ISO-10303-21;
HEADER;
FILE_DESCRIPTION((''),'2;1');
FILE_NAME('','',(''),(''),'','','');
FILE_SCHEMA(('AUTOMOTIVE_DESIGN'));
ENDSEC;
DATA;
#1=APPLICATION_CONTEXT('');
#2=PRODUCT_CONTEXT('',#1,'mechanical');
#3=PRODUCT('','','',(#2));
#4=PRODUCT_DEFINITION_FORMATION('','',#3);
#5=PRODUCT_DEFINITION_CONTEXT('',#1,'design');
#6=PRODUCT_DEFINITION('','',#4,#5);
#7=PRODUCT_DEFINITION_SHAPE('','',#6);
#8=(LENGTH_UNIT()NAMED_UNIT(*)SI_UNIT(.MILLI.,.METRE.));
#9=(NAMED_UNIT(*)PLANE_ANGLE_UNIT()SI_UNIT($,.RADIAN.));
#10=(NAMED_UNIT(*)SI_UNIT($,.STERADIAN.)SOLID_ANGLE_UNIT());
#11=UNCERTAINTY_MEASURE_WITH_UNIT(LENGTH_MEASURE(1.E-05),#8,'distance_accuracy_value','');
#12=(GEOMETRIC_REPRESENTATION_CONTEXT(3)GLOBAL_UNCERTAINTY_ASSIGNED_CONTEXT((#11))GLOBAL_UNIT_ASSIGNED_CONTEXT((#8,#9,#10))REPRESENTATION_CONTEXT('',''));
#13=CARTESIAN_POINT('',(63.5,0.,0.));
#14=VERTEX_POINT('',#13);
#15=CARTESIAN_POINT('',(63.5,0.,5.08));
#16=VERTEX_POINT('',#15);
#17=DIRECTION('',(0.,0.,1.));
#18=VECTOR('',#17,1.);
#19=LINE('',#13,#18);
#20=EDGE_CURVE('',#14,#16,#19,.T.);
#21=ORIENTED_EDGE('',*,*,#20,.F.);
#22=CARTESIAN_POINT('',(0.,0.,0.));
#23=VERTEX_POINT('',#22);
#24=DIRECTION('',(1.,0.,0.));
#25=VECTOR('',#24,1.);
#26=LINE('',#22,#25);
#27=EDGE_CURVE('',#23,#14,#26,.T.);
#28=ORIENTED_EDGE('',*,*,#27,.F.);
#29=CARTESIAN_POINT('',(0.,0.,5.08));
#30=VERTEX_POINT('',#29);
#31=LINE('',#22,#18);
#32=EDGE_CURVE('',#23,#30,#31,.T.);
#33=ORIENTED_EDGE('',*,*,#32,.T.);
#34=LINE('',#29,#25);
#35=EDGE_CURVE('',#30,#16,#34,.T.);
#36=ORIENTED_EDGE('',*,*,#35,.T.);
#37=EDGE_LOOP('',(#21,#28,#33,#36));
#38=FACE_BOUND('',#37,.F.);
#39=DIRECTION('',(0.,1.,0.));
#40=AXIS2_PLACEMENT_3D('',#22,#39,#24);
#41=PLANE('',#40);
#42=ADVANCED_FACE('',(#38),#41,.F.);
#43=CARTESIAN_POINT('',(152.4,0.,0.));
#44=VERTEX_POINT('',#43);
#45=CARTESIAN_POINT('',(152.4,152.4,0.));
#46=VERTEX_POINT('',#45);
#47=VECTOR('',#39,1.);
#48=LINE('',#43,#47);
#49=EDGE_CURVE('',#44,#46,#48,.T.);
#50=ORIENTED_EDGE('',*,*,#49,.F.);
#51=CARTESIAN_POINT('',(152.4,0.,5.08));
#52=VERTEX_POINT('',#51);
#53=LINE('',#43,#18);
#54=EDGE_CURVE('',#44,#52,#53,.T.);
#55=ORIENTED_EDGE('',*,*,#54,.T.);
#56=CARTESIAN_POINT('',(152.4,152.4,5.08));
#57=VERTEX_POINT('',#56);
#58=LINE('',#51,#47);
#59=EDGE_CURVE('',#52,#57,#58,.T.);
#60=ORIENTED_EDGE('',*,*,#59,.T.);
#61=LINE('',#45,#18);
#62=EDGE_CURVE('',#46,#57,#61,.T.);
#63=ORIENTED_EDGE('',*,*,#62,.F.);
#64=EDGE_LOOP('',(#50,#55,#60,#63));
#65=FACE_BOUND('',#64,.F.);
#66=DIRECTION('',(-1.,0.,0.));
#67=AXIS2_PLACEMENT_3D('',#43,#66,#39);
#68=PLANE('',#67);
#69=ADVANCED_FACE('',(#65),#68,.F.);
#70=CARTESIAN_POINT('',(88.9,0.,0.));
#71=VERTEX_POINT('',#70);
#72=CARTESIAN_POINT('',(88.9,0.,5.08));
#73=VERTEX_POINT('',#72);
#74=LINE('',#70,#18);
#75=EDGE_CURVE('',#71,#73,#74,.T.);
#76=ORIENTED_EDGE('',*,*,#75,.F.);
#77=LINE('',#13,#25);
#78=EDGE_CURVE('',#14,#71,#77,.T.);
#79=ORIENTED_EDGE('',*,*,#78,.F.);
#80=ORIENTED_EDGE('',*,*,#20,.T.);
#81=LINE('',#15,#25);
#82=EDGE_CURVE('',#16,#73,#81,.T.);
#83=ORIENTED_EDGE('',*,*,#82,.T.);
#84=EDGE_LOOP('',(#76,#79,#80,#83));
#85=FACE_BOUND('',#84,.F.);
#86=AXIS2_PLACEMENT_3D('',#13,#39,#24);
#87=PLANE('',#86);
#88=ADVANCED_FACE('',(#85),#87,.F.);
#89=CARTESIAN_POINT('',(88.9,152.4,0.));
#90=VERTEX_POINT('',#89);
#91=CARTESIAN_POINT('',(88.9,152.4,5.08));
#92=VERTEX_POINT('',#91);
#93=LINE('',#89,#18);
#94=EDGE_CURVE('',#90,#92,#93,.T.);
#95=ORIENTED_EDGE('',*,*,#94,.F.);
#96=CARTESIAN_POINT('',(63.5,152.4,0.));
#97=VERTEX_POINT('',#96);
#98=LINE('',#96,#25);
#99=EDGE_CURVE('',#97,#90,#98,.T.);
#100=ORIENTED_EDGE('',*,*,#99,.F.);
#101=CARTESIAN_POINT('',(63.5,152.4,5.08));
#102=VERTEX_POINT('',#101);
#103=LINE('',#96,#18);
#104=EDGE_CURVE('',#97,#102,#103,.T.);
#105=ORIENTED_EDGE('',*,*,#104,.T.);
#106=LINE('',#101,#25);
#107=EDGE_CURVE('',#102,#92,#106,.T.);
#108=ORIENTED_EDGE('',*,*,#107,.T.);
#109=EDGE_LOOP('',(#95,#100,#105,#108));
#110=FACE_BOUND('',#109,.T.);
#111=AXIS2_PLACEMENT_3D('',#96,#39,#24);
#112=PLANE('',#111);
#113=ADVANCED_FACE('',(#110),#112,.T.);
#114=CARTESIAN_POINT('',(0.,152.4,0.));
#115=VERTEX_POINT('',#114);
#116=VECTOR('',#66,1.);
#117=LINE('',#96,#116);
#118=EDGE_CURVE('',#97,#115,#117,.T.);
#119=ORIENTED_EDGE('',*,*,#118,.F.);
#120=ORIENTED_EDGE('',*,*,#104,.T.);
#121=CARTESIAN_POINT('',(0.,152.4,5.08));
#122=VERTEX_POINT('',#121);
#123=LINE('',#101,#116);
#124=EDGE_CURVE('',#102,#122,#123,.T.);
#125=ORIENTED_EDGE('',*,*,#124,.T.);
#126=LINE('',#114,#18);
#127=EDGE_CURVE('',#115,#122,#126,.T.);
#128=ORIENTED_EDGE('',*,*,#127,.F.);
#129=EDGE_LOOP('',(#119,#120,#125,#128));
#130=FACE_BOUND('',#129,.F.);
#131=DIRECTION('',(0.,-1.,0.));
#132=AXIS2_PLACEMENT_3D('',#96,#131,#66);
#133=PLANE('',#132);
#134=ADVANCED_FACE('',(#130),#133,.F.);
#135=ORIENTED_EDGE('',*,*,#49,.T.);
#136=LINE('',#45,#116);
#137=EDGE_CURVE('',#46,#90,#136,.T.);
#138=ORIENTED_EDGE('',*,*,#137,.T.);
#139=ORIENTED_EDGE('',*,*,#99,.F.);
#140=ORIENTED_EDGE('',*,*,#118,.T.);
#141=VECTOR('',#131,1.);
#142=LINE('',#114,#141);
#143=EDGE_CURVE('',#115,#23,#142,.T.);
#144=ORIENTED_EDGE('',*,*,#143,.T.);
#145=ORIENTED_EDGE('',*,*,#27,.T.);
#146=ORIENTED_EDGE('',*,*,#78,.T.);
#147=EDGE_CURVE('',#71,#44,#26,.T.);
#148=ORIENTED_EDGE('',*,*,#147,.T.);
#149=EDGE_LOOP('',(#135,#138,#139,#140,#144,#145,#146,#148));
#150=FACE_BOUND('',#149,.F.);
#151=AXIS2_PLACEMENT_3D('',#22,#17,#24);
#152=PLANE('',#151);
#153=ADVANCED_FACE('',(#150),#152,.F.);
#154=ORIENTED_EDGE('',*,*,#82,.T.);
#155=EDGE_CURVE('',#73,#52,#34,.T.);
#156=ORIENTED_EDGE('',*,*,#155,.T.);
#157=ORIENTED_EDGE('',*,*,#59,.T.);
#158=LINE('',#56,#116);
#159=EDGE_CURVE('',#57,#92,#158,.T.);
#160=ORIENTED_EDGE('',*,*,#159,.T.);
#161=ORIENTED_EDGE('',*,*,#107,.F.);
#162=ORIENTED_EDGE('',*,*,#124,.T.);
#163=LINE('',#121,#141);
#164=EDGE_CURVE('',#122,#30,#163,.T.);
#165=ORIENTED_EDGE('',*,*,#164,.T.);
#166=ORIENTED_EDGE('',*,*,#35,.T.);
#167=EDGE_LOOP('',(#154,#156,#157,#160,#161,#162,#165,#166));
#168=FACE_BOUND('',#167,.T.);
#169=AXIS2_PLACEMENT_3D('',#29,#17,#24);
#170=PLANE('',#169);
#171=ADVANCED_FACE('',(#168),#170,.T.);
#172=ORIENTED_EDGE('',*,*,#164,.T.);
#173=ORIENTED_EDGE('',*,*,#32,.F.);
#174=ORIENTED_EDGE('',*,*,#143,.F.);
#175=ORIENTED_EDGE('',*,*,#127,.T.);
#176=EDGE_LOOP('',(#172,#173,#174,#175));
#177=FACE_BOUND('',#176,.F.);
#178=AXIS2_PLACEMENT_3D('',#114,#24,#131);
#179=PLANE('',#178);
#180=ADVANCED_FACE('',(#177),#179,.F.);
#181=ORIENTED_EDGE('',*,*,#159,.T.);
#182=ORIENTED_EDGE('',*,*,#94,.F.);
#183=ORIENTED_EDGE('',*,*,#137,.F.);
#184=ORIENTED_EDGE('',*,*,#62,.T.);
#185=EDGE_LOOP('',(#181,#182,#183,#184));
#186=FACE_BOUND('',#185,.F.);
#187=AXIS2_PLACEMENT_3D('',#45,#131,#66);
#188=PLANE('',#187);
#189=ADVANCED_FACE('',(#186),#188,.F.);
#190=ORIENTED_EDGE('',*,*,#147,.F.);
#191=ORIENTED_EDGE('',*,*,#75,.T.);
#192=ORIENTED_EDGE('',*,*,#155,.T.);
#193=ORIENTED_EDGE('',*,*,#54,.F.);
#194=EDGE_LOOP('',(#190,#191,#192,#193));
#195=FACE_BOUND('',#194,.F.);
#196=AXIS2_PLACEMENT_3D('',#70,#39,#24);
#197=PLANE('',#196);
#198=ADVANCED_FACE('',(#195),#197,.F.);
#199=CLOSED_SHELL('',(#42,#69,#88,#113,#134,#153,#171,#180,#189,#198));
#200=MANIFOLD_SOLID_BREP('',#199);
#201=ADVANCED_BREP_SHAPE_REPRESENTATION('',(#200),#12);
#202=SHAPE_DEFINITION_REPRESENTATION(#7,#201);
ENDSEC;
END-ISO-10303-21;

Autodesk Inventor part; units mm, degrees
ref_plane "YZ Plane" through (0, 0, 0) normal (1, 0, 0) x (0, 1, 0)
ref_plane "XZ Plane" through (0, 0, 0) normal (0, 1, 0) x (-1, 0, 0)
ref_plane "XY Plane" through (0, 0, 0) normal (0, 0, 1) x (1, 0, 0)
sketch "Sketch1" plane through (0, 0, 0) normal (0, 0, 1) x (1, 0, 0)
  line L0 (0, 0) -> (152.4, 0)
  line L1 (152.4, 0) -> (152.4, 152.4)
  line L2 (0, 152.4) -> (0, 0)
  line L3 (152.4, 152.4) -> (88.9, 152.4)
  line L4 (63.5, 152.4) -> (0, 152.4)
  line L5 (63.5, 0) -> (88.9, 0)
  line L6 (63.5, 152.4) -> (88.9, 152.4)
  line L7 (0, 152.4) -> (0, 0)
  line L8 (152.4, 0) -> (0, 0)
extrude "Extrusion1" add sketch "Sketch1" along normal blind 5.08
properties part number "air layer"
